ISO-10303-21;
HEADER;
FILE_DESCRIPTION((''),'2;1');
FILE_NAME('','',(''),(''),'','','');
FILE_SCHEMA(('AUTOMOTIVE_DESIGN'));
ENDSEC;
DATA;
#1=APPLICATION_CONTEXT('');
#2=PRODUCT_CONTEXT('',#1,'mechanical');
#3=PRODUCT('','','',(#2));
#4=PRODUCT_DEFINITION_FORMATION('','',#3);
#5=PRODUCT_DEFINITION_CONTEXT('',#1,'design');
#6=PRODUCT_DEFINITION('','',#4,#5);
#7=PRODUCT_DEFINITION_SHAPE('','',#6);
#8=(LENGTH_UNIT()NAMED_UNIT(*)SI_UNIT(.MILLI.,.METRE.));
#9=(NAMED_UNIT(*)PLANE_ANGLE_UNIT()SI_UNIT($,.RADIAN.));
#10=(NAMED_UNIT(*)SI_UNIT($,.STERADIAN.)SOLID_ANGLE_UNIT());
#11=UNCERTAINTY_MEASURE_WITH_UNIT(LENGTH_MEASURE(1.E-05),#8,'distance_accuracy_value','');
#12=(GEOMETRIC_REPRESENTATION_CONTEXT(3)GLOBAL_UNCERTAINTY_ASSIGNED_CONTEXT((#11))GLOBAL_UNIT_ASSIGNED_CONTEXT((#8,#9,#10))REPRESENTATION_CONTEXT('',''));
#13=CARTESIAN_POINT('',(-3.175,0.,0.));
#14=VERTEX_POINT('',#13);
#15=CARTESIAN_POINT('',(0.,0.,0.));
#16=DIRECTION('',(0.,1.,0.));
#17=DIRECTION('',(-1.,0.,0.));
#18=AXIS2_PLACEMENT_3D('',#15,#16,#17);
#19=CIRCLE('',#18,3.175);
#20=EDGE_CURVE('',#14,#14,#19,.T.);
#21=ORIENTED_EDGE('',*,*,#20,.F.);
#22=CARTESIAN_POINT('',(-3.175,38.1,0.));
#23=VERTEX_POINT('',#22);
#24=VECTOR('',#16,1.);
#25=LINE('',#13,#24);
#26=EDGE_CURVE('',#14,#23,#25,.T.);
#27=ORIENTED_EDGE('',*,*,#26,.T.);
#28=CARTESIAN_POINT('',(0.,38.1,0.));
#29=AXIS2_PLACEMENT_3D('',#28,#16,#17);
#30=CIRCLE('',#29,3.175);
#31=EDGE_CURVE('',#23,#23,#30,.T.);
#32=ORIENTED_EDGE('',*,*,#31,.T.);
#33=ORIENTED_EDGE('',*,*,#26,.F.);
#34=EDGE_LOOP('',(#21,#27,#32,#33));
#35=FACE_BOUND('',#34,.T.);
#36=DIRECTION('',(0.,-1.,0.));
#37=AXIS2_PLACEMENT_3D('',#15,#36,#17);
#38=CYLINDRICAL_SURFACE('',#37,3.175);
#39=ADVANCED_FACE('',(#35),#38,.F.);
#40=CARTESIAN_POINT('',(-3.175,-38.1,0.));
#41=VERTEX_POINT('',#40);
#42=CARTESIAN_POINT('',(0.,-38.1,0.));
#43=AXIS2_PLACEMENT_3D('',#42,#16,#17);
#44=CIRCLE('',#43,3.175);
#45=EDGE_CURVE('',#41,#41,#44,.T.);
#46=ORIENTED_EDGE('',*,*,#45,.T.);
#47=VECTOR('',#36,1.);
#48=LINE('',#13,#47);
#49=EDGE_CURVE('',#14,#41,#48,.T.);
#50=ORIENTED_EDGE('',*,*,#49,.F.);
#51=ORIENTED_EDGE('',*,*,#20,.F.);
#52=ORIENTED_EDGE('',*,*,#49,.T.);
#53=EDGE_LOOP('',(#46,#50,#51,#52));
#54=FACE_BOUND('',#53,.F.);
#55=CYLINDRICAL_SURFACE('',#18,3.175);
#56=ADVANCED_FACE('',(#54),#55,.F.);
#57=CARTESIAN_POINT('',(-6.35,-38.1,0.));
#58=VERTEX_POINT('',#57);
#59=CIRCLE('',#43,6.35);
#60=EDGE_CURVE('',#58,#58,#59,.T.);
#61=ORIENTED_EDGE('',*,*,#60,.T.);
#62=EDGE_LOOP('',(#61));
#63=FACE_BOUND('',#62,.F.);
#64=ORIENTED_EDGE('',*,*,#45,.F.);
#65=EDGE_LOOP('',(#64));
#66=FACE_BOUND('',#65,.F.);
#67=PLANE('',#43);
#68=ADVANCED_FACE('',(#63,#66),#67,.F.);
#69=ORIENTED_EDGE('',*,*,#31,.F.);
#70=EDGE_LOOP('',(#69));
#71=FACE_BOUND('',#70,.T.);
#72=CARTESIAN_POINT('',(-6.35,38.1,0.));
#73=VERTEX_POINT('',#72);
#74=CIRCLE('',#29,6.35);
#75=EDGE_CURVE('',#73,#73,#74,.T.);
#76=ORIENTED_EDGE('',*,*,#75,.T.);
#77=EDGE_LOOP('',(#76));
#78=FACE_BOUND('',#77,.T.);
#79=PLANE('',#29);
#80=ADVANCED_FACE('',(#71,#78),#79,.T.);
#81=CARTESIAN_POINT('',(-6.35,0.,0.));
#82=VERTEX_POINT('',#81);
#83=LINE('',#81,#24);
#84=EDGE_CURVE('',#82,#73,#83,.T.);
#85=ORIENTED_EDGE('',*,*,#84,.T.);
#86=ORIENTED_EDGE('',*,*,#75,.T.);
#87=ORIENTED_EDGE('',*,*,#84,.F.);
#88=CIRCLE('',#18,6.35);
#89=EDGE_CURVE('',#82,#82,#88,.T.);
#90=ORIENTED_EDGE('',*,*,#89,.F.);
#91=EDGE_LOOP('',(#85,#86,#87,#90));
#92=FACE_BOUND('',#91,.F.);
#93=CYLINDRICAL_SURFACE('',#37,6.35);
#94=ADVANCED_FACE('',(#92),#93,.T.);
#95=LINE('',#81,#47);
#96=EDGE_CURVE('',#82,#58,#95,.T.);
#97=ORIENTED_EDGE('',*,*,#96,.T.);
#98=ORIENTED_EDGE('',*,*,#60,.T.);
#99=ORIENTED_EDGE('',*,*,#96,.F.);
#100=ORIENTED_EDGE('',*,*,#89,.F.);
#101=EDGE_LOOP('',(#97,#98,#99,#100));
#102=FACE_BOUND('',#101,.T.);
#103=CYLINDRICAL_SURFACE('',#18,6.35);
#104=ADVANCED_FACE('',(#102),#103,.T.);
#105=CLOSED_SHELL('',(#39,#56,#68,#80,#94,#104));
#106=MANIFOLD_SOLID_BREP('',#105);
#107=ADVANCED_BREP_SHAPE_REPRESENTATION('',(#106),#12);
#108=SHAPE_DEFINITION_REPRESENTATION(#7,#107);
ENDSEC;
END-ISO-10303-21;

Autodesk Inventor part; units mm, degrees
ref_plane "YZ Plane" through (0, 0, 0) normal (1, 0, 0) x (0, 1, 0)
ref_plane "XZ Plane" through (0, 0, 0) normal (0, 1, 0) x (-1, 0, 0)
ref_plane "XY Plane" through (0, 0, 0) normal (0, 0, 1) x (1, 0, 0)
sketch "Sketch1" plane through (0, 0, 0) normal (0, 1, 0) x (-1, 0, 0)
  circle A0 centre (0, 0) radius 6.35
  circle A1 centre (0, 0) radius 3.175
  dimension "d0" = 12.7
  dimension "d1" = 6.35
extrude "Extrusion1" add sketch "Sketch1" along normal mid plane 76.2
properties part number "drive in a day axile tube sym" material "Aluminum 6061"
